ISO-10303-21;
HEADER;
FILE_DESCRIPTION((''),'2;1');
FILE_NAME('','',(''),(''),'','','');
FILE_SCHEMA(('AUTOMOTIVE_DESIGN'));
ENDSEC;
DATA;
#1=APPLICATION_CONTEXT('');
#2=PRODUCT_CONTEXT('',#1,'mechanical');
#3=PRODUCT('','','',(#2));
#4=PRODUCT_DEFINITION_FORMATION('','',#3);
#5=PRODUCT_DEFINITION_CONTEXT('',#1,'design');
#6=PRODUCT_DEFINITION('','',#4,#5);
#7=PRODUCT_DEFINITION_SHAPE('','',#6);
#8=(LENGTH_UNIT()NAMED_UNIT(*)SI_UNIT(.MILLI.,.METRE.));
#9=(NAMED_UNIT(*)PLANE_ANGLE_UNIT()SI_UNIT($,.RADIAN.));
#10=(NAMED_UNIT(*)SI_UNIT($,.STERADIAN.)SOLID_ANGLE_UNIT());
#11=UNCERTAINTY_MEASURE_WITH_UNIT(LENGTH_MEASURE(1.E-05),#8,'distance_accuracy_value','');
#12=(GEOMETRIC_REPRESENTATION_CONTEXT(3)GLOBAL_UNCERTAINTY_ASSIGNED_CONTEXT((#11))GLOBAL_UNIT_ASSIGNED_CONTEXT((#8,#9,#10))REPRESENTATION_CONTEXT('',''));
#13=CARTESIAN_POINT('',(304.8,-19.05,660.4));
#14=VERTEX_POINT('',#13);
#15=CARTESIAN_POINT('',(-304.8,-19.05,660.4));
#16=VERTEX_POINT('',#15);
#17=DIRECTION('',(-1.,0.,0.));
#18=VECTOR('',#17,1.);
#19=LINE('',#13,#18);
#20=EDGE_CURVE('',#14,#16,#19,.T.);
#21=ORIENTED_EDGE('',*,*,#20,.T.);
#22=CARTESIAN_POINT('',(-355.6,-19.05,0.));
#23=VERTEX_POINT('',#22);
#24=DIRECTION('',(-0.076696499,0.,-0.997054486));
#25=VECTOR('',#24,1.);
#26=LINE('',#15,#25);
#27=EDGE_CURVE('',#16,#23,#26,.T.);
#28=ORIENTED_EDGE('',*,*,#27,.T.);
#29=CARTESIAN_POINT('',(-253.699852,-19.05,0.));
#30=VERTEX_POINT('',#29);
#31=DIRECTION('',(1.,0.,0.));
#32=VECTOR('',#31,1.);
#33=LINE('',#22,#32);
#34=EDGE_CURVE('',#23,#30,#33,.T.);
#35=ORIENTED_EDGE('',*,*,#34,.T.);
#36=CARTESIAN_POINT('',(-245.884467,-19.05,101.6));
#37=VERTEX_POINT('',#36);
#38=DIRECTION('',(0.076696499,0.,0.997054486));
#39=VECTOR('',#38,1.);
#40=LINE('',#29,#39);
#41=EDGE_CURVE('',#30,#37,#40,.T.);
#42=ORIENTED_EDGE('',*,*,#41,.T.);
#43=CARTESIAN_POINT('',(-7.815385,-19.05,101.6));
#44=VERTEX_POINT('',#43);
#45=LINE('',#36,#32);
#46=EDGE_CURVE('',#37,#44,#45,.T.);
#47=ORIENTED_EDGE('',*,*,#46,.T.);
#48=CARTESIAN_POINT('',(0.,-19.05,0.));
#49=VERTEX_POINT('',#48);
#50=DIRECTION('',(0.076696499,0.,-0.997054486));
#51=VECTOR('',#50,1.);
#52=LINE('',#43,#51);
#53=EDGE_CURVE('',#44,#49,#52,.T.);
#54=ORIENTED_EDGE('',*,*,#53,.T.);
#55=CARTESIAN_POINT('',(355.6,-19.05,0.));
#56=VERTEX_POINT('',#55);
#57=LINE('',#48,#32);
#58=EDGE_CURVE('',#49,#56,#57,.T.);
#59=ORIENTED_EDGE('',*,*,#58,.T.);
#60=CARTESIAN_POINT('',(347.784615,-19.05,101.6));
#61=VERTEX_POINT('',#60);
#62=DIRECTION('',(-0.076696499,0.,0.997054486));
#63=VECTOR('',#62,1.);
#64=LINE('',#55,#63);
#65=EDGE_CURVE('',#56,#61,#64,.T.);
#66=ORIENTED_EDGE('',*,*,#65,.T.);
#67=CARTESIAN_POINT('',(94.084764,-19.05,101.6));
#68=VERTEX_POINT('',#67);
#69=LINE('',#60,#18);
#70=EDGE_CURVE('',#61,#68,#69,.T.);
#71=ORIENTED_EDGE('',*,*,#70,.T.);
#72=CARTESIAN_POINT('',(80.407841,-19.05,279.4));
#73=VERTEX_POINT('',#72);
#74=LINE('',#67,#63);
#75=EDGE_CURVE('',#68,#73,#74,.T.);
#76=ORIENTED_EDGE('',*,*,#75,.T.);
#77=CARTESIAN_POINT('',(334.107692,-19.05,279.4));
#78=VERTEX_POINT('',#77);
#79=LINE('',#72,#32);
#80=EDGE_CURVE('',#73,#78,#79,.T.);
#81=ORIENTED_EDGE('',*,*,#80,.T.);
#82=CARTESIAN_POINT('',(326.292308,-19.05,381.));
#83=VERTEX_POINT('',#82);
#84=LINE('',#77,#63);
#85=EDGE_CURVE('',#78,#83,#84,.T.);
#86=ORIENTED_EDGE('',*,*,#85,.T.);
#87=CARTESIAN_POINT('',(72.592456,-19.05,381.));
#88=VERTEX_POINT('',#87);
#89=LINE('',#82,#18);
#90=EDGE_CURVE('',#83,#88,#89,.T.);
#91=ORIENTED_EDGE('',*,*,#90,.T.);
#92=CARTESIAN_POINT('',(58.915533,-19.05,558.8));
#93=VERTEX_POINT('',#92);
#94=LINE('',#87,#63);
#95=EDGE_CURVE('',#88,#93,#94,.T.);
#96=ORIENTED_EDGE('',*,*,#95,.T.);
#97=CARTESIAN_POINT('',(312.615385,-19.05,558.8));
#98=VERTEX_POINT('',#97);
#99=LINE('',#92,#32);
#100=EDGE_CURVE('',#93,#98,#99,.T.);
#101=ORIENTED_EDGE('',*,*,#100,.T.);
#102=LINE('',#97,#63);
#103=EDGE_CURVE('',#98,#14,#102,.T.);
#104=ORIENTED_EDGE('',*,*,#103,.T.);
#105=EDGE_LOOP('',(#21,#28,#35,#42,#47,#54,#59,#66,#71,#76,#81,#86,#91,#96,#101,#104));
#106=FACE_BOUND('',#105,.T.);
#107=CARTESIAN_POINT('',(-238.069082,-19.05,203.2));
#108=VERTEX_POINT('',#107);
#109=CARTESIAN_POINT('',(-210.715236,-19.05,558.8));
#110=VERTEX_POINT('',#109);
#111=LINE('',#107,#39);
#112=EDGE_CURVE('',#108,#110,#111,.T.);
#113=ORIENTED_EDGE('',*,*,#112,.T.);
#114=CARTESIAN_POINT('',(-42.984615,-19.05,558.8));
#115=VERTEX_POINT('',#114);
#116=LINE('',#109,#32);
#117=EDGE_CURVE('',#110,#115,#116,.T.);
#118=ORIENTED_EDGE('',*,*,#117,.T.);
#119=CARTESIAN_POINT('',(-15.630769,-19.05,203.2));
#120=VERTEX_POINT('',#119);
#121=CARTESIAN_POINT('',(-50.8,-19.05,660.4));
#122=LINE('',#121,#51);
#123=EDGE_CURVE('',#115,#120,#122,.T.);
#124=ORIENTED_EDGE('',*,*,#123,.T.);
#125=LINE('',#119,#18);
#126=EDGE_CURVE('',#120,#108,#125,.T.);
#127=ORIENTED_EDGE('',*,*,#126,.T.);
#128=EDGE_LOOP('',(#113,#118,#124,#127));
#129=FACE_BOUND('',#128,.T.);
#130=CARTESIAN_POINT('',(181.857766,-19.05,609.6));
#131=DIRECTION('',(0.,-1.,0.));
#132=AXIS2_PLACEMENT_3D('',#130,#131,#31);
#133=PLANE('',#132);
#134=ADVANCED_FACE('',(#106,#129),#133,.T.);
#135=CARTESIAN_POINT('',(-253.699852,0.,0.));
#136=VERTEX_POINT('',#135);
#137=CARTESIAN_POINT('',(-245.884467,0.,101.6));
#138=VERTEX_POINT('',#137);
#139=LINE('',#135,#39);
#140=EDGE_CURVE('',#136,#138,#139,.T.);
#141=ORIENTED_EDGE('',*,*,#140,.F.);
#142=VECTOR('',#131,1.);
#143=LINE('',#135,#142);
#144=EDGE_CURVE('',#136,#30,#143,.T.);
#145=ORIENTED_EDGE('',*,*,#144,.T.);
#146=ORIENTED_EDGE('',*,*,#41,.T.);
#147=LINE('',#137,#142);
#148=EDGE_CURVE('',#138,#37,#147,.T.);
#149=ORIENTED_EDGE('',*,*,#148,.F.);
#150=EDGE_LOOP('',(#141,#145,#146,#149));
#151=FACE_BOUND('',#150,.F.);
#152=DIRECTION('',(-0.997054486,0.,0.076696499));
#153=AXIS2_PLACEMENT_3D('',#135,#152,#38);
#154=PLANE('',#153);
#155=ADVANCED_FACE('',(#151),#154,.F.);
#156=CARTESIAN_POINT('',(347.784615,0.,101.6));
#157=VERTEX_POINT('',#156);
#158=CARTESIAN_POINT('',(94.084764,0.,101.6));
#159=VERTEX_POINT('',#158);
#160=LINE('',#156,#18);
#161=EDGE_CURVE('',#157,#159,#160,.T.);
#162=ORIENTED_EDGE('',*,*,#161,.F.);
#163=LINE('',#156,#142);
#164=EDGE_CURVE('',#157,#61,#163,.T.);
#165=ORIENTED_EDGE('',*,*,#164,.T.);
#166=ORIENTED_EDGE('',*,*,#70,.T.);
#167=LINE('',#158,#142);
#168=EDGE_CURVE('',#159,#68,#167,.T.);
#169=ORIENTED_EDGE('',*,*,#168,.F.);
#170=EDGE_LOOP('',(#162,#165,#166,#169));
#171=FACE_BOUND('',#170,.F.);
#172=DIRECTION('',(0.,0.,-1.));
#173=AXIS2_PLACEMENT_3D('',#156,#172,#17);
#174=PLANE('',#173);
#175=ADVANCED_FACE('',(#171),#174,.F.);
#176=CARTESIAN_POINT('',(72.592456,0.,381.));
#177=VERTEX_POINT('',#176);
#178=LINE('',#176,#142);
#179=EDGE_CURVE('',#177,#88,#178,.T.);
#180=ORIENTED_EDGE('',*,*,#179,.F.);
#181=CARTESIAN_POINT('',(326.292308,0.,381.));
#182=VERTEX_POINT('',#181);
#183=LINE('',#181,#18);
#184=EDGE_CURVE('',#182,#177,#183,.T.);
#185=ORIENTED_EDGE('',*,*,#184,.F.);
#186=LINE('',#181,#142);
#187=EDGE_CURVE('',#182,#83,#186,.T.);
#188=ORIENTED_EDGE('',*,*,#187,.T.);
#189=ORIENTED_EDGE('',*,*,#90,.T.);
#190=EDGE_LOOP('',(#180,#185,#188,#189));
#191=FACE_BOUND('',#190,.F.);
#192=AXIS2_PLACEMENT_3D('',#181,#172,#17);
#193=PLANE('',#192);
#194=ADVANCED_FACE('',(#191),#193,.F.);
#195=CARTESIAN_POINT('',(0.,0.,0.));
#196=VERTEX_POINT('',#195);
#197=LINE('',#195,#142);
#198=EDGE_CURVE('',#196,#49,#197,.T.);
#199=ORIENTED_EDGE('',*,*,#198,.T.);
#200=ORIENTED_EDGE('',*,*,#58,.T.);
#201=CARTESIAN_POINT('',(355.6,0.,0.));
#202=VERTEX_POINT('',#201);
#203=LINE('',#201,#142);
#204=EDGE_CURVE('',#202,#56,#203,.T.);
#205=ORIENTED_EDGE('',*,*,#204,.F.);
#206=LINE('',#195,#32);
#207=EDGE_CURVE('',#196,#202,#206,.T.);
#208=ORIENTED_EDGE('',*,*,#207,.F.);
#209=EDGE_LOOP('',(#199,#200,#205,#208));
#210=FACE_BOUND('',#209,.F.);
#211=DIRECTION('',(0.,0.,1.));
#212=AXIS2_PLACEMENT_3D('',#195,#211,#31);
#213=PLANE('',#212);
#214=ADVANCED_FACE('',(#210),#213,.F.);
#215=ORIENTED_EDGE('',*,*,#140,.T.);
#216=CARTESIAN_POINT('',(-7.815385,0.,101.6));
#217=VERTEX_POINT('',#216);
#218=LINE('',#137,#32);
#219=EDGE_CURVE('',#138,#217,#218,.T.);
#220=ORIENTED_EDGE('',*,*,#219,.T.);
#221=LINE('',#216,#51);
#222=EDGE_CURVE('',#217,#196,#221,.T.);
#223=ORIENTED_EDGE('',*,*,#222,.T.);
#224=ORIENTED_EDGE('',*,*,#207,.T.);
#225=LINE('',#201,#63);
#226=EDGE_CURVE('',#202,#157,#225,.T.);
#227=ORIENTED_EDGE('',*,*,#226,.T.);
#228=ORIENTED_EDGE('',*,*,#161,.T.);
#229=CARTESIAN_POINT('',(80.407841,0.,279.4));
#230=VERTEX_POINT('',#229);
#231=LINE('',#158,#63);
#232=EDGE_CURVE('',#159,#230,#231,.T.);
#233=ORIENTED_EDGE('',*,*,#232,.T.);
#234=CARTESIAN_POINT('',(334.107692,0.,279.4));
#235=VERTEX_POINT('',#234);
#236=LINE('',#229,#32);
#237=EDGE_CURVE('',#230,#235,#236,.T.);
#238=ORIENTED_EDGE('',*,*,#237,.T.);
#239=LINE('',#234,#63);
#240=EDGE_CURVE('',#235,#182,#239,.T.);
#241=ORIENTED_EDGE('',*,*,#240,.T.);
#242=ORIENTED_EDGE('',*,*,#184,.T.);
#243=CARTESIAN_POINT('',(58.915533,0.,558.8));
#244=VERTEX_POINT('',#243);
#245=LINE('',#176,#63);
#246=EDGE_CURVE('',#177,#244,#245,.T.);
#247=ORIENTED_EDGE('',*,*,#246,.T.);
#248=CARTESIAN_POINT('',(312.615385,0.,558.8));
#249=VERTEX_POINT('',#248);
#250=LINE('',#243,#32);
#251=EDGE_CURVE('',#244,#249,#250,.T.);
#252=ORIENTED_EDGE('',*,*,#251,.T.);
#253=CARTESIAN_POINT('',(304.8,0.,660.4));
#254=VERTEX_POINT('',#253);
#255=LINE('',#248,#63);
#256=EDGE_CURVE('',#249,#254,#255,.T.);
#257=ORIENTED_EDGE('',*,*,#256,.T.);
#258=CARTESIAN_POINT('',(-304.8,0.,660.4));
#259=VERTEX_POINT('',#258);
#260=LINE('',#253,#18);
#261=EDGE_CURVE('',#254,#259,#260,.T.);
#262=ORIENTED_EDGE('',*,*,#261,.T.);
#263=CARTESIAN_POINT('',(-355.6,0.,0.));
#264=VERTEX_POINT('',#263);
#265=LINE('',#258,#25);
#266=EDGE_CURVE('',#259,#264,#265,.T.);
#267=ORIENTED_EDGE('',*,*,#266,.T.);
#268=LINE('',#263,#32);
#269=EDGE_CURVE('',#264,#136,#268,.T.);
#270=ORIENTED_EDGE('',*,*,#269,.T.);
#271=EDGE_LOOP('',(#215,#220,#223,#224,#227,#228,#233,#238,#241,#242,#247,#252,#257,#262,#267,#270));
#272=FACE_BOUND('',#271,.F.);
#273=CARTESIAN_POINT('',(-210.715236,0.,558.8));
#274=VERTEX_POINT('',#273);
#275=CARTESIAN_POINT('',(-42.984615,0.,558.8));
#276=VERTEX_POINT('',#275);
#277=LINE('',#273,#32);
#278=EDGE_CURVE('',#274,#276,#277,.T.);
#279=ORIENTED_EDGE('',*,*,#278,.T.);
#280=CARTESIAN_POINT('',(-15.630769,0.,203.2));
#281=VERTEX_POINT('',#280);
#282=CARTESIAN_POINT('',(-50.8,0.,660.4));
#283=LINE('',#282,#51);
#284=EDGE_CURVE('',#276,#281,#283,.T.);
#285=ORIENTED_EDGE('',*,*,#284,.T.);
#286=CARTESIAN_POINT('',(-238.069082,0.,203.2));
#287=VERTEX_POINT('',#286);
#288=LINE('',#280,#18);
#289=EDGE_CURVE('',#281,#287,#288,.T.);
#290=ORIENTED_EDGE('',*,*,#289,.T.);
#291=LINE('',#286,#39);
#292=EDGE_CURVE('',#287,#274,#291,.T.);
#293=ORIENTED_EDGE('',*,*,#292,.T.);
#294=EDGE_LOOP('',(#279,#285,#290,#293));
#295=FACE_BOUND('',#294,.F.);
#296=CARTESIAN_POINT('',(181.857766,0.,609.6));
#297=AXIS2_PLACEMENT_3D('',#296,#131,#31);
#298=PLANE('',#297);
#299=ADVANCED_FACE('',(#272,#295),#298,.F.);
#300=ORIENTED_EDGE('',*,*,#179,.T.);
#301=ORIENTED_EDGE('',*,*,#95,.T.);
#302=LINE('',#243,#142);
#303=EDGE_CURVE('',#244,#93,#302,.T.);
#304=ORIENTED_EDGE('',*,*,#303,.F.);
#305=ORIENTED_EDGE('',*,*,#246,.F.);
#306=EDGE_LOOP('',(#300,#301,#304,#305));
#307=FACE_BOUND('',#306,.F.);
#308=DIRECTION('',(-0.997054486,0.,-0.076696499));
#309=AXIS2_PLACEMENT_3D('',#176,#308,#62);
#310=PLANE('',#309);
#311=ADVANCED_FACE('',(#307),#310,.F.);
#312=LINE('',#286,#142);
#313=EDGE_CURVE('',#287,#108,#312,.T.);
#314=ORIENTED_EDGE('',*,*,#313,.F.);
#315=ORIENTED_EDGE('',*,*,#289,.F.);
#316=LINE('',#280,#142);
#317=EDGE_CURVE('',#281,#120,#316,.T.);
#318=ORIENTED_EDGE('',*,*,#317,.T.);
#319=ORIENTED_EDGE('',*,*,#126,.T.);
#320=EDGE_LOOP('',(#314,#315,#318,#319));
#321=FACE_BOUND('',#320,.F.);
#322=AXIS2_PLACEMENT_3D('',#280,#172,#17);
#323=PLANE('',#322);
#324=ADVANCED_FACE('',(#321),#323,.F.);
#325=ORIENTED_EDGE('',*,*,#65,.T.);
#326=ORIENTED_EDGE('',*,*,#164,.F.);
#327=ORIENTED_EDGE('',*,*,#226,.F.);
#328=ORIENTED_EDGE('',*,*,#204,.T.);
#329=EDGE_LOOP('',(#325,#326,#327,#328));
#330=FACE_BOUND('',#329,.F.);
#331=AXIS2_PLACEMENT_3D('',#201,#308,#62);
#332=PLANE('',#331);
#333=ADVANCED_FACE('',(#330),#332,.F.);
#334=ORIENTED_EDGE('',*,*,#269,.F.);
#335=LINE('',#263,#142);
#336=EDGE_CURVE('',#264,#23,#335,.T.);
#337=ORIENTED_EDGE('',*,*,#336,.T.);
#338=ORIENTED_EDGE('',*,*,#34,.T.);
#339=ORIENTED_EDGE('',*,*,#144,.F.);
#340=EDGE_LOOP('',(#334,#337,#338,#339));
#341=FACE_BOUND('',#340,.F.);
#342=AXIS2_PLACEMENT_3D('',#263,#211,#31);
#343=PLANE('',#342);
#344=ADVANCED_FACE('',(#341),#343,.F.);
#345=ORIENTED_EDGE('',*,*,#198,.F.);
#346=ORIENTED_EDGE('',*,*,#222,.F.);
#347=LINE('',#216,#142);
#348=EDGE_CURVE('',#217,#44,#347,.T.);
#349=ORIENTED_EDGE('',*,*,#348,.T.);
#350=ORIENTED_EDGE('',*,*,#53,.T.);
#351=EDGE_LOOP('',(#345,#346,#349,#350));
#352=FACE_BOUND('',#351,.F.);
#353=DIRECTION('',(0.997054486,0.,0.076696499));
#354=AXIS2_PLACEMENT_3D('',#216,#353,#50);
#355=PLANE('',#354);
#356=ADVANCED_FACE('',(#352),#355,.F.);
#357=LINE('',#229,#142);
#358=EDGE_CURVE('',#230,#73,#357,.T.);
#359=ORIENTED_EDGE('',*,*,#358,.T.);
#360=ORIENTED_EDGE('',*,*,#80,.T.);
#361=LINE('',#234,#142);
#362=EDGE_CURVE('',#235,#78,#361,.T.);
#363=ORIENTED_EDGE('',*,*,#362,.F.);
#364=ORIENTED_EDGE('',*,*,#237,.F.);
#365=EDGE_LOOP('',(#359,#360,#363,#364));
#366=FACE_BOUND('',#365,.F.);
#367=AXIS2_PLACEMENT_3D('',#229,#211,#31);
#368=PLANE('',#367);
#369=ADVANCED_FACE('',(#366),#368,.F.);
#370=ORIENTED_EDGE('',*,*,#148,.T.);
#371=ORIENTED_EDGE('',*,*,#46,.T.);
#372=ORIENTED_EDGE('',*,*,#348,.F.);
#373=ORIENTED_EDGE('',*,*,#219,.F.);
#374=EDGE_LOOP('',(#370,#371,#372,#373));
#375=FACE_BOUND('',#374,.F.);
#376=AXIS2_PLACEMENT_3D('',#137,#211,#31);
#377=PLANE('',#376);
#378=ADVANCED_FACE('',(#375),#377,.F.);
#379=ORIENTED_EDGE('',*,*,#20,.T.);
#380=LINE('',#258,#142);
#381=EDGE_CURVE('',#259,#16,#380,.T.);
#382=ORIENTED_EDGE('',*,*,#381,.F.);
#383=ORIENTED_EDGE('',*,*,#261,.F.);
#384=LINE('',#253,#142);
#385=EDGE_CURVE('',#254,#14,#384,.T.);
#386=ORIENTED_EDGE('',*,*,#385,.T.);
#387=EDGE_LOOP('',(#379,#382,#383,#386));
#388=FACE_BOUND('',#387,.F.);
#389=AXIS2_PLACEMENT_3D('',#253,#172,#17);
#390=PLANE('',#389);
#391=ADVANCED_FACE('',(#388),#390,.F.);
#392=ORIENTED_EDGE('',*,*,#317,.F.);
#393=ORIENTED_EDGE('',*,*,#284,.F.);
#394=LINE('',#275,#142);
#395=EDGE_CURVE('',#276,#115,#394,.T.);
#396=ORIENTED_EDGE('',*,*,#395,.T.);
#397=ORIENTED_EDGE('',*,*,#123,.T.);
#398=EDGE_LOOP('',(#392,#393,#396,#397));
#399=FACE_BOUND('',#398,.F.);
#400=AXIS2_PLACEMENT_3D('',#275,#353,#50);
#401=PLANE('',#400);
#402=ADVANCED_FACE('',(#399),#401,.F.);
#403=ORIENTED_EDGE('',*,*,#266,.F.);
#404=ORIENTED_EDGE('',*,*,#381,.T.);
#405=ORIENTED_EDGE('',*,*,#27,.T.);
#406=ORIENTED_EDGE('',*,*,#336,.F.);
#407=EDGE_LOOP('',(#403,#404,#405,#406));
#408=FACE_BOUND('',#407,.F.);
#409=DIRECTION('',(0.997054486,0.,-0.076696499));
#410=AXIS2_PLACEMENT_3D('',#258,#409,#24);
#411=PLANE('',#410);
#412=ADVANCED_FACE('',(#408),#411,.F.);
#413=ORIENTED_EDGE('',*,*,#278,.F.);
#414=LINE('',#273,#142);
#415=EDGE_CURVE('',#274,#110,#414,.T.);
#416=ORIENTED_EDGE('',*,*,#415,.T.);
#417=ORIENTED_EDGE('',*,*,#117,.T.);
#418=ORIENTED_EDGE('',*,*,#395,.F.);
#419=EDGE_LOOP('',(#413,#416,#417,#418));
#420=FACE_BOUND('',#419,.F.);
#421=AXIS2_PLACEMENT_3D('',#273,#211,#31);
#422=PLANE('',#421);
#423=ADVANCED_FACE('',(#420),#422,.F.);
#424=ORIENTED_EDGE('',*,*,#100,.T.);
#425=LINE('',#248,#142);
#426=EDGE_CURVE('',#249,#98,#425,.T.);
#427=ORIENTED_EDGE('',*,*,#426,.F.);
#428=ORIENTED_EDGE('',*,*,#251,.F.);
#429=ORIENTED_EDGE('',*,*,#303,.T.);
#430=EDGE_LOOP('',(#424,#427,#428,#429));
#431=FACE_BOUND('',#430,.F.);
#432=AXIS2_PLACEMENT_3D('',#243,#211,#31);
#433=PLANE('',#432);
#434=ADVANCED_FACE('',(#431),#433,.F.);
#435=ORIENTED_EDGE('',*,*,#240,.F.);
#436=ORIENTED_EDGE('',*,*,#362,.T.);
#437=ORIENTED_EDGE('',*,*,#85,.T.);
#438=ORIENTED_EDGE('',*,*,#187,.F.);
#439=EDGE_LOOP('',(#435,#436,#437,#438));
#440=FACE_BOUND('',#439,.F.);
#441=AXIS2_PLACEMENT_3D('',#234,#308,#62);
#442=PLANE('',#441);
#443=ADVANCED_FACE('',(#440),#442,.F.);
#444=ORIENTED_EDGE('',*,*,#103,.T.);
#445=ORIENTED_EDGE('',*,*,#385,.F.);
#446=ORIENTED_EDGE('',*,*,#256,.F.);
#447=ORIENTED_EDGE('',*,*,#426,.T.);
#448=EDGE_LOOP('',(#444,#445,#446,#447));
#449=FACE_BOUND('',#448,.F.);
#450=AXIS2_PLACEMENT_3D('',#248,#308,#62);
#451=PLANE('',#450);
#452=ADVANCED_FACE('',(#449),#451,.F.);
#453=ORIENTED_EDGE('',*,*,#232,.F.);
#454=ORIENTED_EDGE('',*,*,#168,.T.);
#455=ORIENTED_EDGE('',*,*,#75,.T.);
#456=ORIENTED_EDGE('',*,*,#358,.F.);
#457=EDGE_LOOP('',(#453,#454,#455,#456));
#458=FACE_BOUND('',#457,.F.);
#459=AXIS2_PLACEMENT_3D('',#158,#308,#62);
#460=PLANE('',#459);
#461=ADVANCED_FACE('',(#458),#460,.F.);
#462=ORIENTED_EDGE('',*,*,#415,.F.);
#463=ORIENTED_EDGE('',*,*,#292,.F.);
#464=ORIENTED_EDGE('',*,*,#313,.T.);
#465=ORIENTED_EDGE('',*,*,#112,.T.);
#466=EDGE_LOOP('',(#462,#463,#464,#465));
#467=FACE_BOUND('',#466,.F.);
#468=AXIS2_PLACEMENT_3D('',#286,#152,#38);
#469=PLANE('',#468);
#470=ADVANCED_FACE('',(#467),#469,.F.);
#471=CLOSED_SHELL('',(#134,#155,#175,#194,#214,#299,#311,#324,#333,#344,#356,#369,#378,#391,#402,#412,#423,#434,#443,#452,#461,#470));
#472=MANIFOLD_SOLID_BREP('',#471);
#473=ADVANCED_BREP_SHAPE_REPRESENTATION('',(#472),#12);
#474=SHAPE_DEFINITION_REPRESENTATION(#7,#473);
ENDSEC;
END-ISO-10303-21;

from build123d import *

# Parameters (mm, degrees)
F1_DEPTH = 19.05


with BuildPart() as f1:
    # F0 (on Front) → F1 (new body)
    with BuildSketch(Plane.XZ):
        Polygon((304.8, 660.4), (51.1001483644, 660.4), (58.9155329798, 558.8), (312.6153846154, 558.8), align=None)
        Polygon((94.084763749, 101.6), (101.9001483644, 0), (355.6, 0), (347.7846153846, 101.6), align=None)
        Polygon((-238.0690824048, 203.2), (-245.8844670202, 101.6), (-7.8153846154, 101.6), (-15.6307692308, 203.2), align=None)
        Polygon((326.2923076923, 381), (72.5924560567, 381), (80.4078406721, 279.4), (334.1076923077, 279.4), align=None)
        Polygon((-202.8998516356, 660.4), (-304.8, 660.4), (-355.6, 0), (-253.6998516356, 0), (-245.8844670202, 101.6), (-238.0690824048, 203.2), (-210.715236251, 558.8), align=None)
        Polygon((51.1001483644, 660.4), (-50.8, 660.4), (-42.9846153846, 558.8), (-15.6307692308, 203.2), (-7.8153846154, 101.6), (0, 0), (101.9001483644, 0), (94.084763749, 101.6), (80.4078406721, 279.4), (72.5924560567, 381), (58.9155329798, 558.8), align=None)
        Polygon((-50.8, 660.4), (-202.8998516356, 660.4), (-210.715236251, 558.8), (-42.9846153846, 558.8), align=None)
    extrude(amount=F1_DEPTH)


solid = f1.part
